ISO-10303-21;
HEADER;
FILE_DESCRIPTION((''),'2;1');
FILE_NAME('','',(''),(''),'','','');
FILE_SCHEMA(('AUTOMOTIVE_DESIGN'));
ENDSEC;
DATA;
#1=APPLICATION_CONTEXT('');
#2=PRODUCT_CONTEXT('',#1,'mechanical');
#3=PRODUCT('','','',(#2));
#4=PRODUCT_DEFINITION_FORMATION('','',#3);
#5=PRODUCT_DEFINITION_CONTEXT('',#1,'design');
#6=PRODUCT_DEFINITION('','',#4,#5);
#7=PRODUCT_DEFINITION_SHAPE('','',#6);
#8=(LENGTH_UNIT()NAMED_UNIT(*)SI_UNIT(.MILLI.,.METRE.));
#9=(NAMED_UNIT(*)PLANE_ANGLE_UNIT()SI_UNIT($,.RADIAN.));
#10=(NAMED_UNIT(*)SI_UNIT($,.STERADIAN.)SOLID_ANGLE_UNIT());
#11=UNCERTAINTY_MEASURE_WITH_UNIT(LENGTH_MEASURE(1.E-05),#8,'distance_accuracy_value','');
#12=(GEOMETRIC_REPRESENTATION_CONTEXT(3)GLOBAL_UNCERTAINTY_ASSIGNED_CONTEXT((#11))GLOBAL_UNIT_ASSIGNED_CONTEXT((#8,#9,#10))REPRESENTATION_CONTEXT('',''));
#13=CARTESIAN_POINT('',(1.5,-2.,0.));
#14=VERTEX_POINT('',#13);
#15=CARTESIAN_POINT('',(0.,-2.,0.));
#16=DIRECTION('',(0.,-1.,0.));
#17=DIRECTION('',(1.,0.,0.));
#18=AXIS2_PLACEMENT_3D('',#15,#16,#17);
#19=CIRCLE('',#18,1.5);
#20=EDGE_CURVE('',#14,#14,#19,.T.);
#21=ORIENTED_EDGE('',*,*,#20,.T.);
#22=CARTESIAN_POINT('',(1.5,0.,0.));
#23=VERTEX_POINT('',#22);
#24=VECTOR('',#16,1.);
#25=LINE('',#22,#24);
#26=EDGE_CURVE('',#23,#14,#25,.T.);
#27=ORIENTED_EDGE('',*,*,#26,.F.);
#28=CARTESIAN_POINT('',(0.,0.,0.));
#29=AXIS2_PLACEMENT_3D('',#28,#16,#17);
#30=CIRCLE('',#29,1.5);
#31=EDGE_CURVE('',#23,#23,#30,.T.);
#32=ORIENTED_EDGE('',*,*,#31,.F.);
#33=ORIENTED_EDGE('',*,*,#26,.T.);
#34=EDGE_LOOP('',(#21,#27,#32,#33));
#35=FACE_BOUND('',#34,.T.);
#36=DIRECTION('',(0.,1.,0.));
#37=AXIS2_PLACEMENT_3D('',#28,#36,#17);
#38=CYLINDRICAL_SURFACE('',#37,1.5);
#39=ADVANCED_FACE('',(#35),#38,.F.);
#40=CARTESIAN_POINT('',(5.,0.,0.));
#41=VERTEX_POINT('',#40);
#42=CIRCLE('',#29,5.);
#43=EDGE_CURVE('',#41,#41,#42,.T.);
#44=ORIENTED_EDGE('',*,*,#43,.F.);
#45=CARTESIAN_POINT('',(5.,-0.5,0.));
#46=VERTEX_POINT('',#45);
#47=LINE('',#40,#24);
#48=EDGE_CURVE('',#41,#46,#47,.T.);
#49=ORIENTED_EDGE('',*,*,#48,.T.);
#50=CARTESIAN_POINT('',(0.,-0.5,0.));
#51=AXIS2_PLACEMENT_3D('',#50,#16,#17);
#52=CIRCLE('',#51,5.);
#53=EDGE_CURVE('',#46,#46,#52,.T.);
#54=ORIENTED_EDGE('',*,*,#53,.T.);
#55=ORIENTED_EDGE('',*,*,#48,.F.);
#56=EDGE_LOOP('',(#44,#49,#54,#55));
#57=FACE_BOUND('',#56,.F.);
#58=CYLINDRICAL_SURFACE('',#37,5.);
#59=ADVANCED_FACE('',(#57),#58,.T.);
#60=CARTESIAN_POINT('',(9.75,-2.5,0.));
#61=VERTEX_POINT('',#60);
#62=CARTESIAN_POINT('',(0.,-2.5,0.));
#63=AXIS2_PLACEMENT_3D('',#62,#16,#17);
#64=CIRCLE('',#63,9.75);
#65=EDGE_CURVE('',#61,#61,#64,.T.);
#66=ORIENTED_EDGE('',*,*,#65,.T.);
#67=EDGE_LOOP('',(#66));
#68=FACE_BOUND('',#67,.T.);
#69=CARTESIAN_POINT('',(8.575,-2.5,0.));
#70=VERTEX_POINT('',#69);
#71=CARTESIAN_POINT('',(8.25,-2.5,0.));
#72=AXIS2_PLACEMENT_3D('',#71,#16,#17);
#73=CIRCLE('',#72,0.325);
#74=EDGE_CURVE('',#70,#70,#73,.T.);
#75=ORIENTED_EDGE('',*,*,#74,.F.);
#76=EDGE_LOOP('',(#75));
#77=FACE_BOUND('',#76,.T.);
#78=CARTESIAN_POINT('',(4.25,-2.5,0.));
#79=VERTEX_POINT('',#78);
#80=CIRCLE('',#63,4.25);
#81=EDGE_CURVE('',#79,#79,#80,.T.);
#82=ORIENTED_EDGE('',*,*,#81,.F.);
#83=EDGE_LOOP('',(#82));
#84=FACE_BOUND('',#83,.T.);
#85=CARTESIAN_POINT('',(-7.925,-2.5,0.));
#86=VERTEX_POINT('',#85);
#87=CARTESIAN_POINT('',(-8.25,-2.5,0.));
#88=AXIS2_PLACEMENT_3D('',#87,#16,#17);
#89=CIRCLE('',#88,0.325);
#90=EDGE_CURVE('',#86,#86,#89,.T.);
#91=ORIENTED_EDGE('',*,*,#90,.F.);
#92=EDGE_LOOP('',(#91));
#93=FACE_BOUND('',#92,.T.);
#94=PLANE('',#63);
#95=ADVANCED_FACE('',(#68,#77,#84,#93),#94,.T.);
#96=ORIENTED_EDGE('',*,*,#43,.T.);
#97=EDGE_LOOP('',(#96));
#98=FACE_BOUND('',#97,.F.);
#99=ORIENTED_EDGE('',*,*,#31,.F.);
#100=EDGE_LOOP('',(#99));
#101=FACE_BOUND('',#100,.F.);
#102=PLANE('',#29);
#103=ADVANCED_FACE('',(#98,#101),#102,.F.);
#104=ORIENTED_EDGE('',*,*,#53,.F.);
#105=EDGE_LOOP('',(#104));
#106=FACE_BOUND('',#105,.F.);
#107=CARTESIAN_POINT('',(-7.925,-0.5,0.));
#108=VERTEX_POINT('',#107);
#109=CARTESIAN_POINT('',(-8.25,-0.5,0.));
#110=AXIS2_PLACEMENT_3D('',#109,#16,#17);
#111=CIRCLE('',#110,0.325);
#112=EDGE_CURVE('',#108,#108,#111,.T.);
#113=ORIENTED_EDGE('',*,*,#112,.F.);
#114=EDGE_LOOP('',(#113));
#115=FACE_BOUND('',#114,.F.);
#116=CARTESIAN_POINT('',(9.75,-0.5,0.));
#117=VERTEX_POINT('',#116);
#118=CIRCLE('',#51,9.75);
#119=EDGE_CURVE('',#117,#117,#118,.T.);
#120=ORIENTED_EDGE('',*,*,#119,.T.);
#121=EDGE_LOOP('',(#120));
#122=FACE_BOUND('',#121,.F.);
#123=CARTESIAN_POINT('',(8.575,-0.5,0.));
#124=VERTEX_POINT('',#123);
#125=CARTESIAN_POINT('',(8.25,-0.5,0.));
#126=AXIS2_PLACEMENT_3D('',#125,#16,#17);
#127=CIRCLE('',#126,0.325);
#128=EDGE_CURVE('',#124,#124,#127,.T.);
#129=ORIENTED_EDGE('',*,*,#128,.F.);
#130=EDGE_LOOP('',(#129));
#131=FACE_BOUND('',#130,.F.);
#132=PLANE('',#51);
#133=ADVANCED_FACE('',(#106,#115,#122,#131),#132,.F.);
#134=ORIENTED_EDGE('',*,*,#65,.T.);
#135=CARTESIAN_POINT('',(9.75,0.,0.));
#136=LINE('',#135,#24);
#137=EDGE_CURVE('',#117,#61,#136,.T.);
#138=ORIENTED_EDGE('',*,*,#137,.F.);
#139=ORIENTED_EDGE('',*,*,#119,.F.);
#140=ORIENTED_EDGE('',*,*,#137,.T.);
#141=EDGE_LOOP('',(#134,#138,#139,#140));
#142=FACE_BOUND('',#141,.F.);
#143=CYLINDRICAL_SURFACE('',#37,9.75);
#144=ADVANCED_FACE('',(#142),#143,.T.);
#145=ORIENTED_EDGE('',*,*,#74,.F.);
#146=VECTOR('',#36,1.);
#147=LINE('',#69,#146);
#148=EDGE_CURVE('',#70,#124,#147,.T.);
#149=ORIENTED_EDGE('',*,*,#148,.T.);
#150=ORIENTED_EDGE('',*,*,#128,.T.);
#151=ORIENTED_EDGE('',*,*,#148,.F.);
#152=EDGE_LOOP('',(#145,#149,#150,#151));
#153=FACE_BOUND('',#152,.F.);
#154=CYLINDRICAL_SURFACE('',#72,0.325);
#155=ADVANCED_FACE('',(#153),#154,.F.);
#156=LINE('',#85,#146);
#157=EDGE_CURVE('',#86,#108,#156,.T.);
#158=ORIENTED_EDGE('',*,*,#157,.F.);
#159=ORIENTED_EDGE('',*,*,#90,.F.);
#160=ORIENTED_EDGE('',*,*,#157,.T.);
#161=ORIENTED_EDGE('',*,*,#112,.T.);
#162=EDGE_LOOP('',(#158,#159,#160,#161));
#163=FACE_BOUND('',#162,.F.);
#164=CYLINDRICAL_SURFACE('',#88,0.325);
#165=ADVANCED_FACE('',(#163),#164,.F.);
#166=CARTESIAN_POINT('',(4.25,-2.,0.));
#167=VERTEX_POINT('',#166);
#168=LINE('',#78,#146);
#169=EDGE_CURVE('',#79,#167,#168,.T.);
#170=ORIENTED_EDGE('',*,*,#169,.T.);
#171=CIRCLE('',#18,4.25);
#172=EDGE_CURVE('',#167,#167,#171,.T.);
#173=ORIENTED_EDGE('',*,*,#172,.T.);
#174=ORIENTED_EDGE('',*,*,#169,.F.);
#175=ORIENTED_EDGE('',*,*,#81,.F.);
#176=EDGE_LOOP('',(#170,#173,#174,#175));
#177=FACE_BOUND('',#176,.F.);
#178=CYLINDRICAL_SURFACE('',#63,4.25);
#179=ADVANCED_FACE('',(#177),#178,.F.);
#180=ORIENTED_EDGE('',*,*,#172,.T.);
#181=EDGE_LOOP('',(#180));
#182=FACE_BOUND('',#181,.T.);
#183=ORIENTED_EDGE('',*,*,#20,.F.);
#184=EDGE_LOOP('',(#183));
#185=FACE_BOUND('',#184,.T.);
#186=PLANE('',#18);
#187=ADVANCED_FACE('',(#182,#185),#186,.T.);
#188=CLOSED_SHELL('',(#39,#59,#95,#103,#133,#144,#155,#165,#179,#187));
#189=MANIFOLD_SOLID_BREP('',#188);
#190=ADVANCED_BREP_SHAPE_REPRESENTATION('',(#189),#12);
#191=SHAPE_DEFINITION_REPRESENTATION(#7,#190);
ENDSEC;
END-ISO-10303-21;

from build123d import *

# Parameters (mm, degrees)
F0_R     = 9.75
F0_R_2   = 5
F0_R_3   = 1.5
F1_DEPTH = 2.5
F2_DEPTH = 0.5
F3_R     = 4.25
F3_R_2   = 1.5
F4_DEPTH = 0.5
F3_R_3   = 0.325
F5_DEPTH = 2.501


with BuildPart() as f1:
    # F0 (on Front) → F1 (new body)
    with BuildSketch(Plane.XZ):
        Circle(F0_R)
        Circle(F0_R_2, mode=Mode.SUBTRACT)
        Circle(F0_R_2)
        Circle(F0_R_3, mode=Mode.SUBTRACT)
    extrude(amount=F1_DEPTH)

    # F0 (on Front) → F2 (cut)
    with BuildSketch(Plane.XZ):
        Circle(F0_R)
        Circle(F0_R_2, mode=Mode.SUBTRACT)
    extrude(amount=F2_DEPTH, mode=Mode.SUBTRACT)

    # F3 (on face) → F4 (cut)
    with BuildSketch(Plane.XZ.offset(2.5)):
        Circle(F3_R)
        Circle(F3_R_2, mode=Mode.SUBTRACT)
    extrude(amount=-F4_DEPTH, mode=Mode.SUBTRACT)

    # F3 (on face) → F5 (cut, through all)
    with BuildSketch(Plane.XZ.offset(2.5)):
        with Locations((8.25, 0)):
            Circle(F3_R_3)
        with Locations((-8.25, 0)):
            Circle(F3_R_3)
    extrude(amount=-F5_DEPTH, mode=Mode.SUBTRACT)


solid = f1.part
